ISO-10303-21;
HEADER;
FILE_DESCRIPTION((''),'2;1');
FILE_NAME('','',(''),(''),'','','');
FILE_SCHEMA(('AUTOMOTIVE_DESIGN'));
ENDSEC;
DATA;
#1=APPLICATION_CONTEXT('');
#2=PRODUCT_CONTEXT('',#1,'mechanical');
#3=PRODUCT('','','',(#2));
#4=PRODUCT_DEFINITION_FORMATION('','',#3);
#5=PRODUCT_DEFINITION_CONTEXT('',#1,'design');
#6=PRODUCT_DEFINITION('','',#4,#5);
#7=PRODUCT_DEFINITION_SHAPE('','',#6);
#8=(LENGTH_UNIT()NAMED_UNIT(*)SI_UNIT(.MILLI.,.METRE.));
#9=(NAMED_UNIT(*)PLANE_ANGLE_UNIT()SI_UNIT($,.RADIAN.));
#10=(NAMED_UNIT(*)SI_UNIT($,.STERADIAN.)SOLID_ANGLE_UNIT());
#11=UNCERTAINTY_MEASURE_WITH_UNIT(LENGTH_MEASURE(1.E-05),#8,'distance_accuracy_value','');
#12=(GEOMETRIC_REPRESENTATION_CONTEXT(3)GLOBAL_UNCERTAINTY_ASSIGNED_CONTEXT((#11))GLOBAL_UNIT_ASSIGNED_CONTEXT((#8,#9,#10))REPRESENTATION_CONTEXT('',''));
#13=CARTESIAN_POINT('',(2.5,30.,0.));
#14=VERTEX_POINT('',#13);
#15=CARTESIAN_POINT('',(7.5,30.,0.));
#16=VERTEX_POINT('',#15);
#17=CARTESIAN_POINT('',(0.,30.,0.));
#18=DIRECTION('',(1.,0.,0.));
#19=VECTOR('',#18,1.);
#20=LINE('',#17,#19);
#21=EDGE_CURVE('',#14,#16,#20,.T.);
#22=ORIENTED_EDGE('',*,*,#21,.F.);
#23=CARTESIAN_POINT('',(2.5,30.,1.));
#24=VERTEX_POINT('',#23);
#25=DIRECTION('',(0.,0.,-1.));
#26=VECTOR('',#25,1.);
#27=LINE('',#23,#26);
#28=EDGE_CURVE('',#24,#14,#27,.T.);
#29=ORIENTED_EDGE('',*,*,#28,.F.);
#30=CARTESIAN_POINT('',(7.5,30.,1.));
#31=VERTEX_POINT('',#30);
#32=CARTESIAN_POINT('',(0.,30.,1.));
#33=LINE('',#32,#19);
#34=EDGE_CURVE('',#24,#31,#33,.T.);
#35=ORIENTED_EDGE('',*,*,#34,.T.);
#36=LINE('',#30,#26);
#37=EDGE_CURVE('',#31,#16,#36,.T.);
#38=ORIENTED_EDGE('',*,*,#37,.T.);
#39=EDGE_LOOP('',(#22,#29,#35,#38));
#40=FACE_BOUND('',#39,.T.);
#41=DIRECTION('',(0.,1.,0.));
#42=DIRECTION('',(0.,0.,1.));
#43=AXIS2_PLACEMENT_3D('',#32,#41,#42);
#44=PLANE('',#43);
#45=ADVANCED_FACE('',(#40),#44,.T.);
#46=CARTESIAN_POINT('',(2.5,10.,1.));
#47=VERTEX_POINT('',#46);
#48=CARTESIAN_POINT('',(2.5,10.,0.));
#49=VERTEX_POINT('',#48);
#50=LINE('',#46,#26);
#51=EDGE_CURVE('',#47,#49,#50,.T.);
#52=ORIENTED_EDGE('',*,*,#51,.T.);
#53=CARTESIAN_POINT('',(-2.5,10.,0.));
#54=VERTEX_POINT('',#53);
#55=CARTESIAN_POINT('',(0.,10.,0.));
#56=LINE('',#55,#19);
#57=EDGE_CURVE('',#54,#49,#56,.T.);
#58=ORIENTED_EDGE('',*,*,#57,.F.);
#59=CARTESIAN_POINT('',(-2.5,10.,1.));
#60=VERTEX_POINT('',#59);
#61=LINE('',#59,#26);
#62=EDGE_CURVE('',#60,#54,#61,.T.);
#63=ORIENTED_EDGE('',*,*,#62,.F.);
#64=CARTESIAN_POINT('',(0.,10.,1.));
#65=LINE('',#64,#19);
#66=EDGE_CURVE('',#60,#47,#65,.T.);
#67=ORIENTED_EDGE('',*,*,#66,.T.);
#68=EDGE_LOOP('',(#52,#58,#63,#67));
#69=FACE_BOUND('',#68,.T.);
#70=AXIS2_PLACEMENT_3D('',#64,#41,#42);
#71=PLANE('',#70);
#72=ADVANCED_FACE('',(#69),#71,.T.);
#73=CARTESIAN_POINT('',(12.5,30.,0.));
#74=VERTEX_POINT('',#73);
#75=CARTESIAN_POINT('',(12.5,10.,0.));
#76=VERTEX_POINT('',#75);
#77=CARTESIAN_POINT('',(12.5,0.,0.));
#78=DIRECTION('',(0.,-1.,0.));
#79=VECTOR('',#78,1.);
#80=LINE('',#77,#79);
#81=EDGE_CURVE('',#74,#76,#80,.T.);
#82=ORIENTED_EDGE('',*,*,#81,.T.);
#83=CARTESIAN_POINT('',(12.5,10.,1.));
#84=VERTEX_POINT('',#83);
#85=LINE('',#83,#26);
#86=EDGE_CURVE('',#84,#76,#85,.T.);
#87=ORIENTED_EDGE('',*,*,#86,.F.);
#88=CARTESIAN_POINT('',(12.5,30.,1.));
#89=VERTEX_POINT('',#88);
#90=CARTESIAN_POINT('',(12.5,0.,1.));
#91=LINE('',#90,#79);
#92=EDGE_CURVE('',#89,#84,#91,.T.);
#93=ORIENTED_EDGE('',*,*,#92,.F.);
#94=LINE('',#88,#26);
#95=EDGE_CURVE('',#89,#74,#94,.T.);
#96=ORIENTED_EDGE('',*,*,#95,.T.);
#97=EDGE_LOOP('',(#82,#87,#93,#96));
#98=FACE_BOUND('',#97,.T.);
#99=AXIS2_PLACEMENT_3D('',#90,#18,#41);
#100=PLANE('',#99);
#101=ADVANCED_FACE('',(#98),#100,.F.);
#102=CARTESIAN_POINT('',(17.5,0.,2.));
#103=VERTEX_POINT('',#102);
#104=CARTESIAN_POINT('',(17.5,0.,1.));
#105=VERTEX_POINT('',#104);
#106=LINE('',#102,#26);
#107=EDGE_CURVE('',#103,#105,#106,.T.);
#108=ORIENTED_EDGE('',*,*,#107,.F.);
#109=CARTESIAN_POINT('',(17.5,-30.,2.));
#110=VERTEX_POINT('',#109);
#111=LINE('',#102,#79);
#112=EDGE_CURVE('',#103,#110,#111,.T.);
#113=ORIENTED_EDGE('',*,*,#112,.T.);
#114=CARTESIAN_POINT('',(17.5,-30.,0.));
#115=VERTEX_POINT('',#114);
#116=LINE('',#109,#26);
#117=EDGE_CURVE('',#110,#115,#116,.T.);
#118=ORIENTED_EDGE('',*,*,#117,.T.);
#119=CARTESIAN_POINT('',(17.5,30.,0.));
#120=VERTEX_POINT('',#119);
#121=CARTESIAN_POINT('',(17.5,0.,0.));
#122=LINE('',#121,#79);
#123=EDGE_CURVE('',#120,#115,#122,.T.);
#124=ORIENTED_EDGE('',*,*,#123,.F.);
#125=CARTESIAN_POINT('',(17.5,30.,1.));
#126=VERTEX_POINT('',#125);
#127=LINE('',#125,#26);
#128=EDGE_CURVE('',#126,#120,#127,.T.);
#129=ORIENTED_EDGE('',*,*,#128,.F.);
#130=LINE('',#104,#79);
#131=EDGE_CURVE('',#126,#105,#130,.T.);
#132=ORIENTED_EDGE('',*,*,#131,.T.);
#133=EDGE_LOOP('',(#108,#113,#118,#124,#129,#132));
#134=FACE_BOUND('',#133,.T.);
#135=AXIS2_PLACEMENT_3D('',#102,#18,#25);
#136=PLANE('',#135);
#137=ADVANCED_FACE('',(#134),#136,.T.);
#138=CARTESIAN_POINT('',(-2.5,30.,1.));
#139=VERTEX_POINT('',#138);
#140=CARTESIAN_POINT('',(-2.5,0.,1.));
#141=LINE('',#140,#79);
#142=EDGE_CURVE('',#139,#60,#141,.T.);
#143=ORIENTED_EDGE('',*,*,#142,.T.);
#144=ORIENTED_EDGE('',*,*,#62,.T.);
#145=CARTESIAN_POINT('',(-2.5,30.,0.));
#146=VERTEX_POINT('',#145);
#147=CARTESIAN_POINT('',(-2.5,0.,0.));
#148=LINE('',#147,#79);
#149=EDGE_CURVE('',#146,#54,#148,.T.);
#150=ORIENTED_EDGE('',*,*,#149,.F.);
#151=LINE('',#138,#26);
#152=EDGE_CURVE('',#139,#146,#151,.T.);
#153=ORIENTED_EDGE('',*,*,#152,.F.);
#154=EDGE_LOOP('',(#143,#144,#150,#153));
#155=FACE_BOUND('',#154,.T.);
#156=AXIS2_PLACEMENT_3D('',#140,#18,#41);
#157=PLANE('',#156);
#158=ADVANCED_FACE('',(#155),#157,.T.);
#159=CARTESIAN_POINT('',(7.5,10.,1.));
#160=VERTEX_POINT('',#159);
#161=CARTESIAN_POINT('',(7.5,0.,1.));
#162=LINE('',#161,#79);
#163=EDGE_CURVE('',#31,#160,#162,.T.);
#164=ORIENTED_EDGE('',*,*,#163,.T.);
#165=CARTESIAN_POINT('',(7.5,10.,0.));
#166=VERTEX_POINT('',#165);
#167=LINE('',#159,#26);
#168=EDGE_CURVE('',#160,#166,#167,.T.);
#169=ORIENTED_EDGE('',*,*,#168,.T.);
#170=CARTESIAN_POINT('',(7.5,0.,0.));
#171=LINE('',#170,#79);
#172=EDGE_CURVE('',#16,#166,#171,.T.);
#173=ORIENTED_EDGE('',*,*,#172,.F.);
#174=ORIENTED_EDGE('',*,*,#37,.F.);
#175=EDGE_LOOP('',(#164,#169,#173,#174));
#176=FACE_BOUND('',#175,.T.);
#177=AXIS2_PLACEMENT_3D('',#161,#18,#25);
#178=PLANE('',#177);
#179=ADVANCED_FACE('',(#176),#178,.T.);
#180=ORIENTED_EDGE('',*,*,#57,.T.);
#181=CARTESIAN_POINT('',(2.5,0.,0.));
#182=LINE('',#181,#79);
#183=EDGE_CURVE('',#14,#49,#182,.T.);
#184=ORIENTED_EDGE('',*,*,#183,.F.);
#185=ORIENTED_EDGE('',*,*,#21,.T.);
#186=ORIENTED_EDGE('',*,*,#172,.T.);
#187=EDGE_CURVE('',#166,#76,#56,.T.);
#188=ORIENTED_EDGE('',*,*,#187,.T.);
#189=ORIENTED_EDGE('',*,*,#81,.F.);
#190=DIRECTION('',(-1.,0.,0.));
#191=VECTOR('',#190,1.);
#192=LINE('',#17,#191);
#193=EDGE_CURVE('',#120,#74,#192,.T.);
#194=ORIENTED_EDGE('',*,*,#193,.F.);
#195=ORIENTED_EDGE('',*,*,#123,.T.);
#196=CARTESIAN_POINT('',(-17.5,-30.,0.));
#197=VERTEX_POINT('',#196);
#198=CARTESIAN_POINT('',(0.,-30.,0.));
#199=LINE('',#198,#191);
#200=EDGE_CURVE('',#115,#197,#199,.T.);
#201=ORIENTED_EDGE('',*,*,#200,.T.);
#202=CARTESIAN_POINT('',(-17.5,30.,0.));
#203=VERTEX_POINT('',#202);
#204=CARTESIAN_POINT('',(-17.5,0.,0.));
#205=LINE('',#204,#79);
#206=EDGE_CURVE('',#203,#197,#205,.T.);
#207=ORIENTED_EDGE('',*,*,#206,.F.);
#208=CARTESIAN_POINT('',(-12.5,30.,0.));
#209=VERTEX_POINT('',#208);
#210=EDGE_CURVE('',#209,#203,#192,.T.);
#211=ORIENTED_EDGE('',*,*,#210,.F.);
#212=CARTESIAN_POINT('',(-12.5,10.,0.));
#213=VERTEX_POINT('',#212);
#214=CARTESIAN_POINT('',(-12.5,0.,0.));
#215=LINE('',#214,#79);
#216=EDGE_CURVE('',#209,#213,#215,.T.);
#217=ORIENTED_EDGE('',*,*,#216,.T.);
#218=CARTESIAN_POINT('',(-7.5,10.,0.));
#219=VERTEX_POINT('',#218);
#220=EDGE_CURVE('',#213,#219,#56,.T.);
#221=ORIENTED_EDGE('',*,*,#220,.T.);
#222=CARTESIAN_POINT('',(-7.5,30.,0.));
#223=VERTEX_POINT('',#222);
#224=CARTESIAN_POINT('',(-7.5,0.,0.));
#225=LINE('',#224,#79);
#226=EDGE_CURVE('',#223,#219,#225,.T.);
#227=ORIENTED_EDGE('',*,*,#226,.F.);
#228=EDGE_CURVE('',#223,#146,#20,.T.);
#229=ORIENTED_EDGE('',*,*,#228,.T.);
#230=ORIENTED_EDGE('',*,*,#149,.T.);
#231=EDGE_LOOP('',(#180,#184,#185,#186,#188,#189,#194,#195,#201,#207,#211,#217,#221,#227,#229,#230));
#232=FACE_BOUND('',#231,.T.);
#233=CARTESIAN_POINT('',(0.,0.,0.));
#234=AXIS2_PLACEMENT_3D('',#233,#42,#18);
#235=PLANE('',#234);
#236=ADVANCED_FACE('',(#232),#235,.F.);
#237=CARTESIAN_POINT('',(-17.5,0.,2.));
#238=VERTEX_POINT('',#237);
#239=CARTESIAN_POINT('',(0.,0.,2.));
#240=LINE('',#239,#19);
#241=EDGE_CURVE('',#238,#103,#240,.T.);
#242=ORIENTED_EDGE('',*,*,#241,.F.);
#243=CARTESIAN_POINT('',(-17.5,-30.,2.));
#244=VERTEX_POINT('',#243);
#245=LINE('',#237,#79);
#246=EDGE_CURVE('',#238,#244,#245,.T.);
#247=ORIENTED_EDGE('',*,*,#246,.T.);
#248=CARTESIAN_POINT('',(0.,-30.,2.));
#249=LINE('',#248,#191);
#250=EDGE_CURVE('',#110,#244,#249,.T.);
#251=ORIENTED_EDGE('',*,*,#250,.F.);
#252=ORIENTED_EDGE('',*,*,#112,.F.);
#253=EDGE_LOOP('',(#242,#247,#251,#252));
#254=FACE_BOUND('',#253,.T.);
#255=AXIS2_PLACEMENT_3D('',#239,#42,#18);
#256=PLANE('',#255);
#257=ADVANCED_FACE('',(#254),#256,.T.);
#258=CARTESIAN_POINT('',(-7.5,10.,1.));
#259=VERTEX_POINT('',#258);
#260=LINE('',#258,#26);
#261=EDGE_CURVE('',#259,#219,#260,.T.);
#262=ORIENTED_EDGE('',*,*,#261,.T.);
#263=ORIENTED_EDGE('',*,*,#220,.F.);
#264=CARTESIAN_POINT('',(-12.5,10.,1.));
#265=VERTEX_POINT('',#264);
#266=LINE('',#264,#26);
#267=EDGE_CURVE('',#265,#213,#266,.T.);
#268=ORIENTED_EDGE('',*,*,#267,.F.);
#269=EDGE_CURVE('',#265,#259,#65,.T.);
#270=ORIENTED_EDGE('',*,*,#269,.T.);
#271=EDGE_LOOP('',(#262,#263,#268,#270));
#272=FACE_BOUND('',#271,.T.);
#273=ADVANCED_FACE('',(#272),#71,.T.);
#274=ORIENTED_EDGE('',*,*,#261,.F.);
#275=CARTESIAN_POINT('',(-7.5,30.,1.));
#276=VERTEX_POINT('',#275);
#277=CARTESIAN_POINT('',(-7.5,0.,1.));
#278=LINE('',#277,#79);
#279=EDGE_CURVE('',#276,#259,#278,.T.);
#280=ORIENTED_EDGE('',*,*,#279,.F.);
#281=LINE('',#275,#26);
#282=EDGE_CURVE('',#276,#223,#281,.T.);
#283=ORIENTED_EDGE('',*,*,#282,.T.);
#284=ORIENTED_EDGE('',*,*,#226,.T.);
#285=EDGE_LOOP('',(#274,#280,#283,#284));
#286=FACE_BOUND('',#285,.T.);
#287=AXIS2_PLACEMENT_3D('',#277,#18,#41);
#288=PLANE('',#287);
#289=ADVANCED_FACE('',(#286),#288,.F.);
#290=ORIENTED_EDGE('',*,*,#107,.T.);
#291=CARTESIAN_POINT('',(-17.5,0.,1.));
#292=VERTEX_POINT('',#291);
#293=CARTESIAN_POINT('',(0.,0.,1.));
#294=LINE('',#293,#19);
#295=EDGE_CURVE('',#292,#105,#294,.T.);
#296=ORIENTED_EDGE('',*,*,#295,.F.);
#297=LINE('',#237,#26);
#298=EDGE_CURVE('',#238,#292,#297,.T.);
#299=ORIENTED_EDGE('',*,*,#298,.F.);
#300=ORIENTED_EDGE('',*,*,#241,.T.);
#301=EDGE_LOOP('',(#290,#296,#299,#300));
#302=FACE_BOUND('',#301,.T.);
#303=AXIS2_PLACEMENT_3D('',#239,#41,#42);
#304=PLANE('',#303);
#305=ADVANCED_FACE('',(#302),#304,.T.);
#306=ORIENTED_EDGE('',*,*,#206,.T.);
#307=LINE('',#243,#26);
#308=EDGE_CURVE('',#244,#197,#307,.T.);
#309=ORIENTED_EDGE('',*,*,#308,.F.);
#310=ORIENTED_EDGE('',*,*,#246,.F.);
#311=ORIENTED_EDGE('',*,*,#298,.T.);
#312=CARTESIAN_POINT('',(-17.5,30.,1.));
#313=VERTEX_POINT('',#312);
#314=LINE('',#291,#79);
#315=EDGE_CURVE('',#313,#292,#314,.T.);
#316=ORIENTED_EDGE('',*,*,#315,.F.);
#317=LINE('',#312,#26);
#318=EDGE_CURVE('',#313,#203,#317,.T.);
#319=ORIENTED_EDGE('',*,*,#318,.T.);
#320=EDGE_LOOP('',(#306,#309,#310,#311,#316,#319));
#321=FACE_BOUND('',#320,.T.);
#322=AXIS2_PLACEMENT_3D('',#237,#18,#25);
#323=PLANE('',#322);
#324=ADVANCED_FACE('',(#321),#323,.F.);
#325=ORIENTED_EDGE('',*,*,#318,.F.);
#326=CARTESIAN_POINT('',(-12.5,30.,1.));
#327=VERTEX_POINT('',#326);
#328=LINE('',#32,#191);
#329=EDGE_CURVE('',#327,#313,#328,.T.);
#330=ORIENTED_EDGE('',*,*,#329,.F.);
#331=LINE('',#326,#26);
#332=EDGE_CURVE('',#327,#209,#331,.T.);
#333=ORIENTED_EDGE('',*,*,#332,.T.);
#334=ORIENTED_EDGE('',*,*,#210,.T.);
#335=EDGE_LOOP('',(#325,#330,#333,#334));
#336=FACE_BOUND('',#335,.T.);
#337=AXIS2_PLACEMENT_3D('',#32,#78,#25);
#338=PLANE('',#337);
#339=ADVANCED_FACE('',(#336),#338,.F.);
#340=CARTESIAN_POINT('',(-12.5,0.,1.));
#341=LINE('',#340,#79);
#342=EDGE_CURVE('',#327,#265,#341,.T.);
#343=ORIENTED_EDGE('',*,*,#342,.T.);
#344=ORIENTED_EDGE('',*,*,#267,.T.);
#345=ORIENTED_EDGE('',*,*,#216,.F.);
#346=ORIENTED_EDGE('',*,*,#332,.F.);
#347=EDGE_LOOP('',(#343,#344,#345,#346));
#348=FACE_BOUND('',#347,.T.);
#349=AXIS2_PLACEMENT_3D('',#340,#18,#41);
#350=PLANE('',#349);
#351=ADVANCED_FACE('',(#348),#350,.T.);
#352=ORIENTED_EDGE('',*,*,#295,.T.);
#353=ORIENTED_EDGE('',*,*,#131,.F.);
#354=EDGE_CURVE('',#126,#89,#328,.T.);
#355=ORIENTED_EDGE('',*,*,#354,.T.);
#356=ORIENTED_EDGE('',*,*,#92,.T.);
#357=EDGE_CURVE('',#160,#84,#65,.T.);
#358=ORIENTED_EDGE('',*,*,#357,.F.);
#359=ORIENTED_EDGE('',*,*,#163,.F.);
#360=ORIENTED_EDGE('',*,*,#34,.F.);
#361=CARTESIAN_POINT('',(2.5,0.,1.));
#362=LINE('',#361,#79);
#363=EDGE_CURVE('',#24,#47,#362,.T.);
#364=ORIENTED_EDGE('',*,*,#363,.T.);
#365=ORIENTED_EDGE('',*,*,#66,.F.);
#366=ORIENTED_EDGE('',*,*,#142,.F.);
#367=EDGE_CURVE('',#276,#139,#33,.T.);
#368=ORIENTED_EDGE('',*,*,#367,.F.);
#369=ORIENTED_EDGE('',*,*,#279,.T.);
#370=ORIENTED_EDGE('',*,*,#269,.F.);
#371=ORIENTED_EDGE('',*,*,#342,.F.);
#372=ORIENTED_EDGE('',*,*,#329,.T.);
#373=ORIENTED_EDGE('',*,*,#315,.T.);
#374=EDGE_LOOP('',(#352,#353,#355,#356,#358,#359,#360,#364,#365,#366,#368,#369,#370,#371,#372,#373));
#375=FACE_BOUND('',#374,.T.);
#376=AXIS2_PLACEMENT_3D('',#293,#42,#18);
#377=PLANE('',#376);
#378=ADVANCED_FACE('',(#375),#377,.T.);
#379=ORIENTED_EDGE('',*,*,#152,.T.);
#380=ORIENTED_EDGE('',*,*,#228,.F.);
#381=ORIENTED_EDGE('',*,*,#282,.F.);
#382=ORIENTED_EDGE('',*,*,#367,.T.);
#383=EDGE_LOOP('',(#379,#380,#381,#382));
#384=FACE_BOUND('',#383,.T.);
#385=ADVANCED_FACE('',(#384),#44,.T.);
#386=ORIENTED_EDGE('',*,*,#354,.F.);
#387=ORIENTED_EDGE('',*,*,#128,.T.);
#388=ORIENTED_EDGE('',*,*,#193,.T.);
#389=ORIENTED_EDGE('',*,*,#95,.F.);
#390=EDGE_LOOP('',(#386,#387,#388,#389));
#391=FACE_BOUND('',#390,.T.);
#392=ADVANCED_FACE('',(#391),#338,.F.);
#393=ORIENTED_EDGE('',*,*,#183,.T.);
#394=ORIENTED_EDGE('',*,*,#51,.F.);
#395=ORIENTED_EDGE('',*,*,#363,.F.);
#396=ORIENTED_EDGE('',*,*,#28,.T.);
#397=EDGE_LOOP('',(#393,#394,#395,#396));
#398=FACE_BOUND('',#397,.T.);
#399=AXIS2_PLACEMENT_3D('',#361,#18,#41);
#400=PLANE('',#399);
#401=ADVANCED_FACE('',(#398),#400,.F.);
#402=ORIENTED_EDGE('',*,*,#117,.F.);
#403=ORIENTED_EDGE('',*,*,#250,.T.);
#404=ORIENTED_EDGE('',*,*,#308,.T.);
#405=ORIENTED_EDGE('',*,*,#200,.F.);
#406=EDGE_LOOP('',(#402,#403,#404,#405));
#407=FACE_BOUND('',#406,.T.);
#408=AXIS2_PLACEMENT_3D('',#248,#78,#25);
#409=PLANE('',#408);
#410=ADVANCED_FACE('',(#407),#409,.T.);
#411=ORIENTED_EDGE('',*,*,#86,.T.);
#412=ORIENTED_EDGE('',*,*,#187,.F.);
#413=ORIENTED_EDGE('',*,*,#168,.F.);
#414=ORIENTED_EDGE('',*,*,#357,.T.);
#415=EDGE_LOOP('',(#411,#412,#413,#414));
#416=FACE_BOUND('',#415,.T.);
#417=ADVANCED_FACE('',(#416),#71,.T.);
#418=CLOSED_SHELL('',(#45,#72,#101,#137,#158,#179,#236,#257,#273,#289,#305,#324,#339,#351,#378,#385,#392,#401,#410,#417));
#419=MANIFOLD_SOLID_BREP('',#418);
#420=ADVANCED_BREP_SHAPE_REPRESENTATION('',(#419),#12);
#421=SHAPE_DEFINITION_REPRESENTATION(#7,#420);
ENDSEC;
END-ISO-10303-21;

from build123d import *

# Parameters (mm, degrees)
SKETCH1_W           = 35
SKETCH1_H           = 30
BOSS_EXTRUDE5_DEPTH = 2
BOSS_EXTRUDE6_DEPTH = 1


with BuildPart() as part:
    # Sketch1 → Boss-Extrude5 (new body)
    with BuildSketch(Plane.XY):
        with Locations((0, -15)):
            Rectangle(SKETCH1_W, SKETCH1_H)
    extrude(amount=BOSS_EXTRUDE5_DEPTH)

    # Sketch1<7> → Boss-Extrude6 (add)
    with BuildSketch(Plane.XY):
        Polygon((-12.5, 10), (-12.5, 30), (-17.5, 30), (-17.5, 10), (-17.5, 0), (17.5, 0), (17.5, 10), (17.5, 30), (12.5, 30), (12.5, 10), (7.5, 10), (7.5, 30), (2.5, 30), (2.5, 10), (-2.5, 10), (-2.5, 30), (-7.5, 30), (-7.5, 10), align=None)
    extrude(amount=BOSS_EXTRUDE6_DEPTH)


solid = part.part
